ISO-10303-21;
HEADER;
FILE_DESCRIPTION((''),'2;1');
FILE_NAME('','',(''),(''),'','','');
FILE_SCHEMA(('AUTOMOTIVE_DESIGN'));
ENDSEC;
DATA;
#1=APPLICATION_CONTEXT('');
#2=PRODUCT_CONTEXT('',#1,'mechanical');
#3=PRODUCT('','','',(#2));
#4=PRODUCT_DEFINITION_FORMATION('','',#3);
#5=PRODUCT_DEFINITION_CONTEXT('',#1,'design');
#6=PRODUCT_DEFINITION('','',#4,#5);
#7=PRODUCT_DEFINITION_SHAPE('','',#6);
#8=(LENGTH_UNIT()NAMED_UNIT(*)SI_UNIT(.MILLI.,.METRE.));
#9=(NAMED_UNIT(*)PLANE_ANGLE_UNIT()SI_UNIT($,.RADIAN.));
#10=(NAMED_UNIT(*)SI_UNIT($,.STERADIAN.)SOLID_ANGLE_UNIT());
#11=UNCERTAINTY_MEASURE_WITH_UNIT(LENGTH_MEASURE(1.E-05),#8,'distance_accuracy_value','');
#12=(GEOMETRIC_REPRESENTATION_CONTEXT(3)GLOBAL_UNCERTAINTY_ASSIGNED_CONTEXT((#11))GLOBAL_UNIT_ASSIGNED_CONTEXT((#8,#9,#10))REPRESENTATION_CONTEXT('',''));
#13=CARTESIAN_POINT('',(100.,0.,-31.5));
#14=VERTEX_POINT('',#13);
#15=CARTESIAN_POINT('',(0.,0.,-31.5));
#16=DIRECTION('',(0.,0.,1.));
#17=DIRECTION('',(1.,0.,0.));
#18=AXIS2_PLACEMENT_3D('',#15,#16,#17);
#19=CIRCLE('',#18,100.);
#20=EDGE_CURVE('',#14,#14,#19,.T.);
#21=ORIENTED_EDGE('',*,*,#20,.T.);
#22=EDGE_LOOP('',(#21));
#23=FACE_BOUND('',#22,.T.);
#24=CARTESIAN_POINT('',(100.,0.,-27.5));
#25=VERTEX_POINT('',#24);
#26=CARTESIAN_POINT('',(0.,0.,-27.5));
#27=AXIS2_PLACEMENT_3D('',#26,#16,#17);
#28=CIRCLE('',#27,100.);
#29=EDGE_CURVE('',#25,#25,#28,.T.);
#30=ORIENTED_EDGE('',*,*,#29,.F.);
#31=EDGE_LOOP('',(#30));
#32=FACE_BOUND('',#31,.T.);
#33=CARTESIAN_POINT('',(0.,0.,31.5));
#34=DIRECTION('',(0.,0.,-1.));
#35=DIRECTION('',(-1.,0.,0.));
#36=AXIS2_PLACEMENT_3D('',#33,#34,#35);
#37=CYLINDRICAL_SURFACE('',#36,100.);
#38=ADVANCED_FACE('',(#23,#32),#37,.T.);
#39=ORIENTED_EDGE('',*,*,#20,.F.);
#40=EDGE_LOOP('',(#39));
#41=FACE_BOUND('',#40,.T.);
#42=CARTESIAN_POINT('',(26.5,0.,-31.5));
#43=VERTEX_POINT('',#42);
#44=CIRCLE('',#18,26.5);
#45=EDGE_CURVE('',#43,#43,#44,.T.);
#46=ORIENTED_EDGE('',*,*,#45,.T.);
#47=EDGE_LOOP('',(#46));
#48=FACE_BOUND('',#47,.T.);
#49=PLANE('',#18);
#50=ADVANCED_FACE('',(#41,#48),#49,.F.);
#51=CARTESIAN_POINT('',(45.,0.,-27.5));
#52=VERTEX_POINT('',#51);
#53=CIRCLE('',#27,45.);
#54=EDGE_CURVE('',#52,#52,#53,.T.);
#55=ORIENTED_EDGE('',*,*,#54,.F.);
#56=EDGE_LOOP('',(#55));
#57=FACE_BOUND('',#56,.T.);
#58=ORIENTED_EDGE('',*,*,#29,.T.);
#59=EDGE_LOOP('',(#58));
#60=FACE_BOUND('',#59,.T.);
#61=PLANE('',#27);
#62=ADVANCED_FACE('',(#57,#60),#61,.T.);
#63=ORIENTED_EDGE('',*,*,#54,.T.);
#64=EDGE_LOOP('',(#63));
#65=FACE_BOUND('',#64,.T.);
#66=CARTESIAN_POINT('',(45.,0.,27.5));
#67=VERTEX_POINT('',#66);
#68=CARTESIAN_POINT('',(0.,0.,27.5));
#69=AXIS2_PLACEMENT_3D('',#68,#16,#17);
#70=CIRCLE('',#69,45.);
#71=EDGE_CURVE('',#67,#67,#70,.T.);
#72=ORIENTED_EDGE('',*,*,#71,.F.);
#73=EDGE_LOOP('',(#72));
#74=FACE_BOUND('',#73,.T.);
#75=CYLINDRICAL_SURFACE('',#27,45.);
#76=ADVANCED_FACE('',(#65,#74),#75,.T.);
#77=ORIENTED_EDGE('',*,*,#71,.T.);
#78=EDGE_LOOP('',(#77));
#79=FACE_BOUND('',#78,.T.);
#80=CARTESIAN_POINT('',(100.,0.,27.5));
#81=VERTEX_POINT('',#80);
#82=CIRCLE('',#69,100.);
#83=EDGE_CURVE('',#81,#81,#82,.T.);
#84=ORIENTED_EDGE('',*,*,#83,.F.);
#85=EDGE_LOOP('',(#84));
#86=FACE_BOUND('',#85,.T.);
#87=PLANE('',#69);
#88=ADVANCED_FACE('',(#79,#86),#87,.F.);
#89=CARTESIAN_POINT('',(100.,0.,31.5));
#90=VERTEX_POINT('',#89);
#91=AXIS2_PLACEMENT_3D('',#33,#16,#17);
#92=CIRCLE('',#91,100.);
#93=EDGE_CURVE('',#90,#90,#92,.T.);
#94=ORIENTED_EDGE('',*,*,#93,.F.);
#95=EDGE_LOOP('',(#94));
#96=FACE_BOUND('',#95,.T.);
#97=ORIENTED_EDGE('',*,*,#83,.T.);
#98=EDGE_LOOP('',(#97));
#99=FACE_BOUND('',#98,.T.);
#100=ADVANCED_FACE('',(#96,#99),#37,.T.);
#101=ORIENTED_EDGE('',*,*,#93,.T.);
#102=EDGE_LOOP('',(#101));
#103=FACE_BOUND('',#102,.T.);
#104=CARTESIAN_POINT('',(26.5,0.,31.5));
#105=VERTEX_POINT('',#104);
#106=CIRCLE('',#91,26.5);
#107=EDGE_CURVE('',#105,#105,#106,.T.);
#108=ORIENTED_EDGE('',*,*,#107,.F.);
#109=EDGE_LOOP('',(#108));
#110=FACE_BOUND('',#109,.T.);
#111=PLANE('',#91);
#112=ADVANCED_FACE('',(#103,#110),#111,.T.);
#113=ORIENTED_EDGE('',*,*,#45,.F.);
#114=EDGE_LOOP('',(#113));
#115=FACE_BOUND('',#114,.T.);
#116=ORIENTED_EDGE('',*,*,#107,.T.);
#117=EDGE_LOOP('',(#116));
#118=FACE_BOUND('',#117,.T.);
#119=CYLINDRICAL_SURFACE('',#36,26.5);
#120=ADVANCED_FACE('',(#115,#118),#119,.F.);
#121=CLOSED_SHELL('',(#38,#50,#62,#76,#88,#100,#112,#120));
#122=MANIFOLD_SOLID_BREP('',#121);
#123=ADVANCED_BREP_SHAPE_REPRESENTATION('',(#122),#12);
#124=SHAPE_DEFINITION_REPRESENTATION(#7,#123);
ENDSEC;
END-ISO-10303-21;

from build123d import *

# Parameters (mm, degrees)
SKETCH1_R           = 100
SKETCH1_R_2         = 26.5
BOSS_EXTRUDE1_DEPTH = 31.5
SKETCH2_R           = 100
SKETCH2_R_2         = 45
CUT_EXTRUDE1_DEPTH  = 27.5


with BuildPart() as part:
    # Sketch1 → Boss-Extrude1 (new, symmetric)
    with BuildSketch(Plane.XY):
        Circle(SKETCH1_R)
        Circle(SKETCH1_R_2, mode=Mode.SUBTRACT)
    extrude(amount=BOSS_EXTRUDE1_DEPTH, both=True)

    # Sketch2 → Cut-Extrude1 (cut, symmetric)
    with BuildSketch(Plane.XY):
        Circle(SKETCH2_R)
        Circle(SKETCH2_R_2, mode=Mode.SUBTRACT)
    extrude(amount=CUT_EXTRUDE1_DEPTH, both=True, mode=Mode.SUBTRACT)


solid = part.part
